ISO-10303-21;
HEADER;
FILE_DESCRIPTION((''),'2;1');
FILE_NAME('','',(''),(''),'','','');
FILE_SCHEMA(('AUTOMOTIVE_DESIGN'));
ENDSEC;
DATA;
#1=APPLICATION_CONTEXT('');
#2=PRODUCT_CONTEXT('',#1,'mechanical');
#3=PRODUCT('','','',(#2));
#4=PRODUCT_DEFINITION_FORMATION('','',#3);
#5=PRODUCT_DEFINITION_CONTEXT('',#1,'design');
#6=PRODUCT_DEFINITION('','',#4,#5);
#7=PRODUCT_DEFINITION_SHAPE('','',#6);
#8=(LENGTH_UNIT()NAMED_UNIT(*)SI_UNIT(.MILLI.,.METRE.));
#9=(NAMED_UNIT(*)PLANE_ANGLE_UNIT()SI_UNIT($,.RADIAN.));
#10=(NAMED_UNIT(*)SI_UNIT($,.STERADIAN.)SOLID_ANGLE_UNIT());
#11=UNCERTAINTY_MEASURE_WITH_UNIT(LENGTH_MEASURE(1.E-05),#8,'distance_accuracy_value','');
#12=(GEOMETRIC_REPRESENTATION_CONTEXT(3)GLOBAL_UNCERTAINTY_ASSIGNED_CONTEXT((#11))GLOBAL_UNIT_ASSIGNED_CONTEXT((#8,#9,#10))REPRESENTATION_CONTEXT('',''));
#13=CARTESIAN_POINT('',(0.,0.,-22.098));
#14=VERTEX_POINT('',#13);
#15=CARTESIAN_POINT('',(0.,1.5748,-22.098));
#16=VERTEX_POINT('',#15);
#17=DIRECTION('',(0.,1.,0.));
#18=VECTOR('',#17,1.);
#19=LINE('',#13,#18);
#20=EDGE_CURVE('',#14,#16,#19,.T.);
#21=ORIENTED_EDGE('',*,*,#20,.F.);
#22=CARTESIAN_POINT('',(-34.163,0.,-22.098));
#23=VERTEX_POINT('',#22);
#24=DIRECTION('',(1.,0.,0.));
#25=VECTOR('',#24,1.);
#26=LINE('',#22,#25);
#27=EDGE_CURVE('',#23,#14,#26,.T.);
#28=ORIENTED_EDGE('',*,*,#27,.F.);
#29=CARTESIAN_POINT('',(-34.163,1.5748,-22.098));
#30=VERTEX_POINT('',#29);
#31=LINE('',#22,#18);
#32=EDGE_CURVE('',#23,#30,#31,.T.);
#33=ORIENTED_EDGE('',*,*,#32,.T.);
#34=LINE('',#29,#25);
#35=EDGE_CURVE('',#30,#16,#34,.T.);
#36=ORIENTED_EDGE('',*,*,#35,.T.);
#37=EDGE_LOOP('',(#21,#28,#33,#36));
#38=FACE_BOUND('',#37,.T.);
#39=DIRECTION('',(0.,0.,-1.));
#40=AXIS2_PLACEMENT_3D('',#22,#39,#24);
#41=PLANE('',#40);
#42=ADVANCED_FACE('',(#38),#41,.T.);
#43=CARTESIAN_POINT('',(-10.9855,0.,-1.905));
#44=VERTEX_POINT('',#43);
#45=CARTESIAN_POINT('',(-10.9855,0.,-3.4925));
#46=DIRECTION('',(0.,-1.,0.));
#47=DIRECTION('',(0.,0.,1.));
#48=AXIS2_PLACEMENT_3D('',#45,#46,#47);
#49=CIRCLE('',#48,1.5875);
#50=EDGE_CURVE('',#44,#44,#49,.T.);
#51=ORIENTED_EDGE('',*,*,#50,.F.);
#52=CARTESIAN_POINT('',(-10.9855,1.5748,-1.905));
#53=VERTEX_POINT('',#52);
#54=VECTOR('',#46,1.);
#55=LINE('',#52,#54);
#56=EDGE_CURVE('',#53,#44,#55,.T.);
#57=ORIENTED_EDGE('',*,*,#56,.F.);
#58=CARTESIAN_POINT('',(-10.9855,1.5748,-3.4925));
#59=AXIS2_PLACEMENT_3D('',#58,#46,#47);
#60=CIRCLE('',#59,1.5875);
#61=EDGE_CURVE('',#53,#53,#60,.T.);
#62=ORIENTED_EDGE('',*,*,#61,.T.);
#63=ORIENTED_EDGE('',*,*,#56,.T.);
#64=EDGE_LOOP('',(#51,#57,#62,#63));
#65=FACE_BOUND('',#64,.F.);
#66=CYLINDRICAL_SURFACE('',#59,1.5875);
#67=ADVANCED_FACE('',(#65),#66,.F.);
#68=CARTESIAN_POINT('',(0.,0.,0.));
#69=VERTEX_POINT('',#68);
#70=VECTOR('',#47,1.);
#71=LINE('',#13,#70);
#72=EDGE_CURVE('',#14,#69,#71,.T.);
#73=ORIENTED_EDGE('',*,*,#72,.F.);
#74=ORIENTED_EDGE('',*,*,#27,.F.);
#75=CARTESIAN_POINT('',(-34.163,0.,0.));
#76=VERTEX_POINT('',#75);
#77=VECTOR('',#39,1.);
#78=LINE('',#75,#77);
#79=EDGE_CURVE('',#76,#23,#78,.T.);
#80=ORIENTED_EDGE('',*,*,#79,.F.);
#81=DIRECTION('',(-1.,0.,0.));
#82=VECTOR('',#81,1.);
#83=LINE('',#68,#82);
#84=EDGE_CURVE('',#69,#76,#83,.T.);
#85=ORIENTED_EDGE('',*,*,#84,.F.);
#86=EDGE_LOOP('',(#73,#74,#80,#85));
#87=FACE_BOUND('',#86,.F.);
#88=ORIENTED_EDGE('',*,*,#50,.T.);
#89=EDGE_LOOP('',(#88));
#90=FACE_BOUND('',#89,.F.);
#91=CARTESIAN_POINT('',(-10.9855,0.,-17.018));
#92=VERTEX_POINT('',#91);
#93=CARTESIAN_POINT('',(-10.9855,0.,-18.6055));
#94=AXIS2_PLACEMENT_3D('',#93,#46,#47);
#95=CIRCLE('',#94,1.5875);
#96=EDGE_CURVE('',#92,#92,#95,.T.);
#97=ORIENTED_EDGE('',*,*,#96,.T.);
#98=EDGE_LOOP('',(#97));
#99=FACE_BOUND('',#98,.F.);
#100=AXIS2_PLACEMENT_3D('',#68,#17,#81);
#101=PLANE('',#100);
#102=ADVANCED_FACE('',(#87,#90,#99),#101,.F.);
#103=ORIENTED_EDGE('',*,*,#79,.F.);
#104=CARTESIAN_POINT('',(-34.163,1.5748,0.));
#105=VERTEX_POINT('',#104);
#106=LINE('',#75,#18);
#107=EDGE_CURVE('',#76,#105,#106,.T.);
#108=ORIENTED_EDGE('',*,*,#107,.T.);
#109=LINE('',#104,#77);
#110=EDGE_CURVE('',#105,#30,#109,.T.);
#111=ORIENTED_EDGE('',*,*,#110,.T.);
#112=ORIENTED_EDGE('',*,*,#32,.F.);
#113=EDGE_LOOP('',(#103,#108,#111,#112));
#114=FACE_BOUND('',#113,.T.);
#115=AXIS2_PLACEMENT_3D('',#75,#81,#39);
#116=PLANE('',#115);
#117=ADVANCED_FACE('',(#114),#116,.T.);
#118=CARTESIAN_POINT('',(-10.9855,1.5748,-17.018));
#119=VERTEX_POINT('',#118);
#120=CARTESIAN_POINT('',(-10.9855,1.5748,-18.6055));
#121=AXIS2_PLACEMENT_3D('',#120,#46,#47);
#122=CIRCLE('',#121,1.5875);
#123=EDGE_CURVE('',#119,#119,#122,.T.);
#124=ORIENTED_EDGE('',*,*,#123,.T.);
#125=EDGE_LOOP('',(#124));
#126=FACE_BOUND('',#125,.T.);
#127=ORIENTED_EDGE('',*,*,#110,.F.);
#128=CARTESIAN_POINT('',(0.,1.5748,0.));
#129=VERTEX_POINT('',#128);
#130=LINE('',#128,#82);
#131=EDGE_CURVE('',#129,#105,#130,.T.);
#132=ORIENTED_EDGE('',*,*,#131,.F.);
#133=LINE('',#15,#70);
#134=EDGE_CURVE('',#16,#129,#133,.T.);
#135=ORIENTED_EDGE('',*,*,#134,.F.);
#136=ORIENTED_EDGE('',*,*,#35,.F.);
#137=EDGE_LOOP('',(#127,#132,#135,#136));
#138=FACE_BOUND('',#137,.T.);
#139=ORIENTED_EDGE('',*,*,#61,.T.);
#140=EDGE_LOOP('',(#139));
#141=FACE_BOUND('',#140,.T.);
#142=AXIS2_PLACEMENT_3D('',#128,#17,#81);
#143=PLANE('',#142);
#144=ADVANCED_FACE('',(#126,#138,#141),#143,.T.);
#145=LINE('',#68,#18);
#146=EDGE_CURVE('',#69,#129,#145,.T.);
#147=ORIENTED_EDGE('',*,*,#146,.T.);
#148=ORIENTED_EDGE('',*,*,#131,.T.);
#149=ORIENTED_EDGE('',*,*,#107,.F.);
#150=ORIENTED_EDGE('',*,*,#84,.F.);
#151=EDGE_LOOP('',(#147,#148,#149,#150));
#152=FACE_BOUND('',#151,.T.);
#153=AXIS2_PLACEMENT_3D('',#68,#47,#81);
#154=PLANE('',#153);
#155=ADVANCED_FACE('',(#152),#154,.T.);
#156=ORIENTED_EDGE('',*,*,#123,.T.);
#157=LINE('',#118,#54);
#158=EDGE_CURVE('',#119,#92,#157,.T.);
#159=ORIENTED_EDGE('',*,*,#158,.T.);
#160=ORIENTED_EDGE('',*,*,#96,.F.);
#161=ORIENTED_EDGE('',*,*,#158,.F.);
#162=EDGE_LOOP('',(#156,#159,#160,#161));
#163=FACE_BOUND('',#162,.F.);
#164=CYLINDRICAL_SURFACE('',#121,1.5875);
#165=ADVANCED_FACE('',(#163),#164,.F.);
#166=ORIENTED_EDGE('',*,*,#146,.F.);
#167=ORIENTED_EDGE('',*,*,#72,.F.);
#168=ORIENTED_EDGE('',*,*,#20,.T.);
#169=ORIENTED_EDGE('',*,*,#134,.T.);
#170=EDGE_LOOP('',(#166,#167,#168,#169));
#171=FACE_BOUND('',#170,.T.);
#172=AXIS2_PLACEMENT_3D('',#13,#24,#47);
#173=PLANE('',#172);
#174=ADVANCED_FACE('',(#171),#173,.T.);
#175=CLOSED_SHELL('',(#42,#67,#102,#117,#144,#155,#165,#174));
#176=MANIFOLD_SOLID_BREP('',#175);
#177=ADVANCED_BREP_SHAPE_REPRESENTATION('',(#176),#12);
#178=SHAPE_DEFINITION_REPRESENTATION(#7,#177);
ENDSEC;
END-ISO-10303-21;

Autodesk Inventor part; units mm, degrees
ref_plane "YZ Plane" through (0, 0, 0) normal (1, 0, 0) x (0, 1, 0)
ref_plane "XZ Plane" through (0, 0, 0) normal (0, 1, 0) x (-1, 0, 0)
ref_plane "XY Plane" through (0, 0, 0) normal (0, 0, 1) x (1, 0, 0)
sketch "Sketch1" plane through (0, 0, 0) normal (0, 1, 0) x (-1, 0, 0)
  line L0 (0, 0) -> (34.163, 0)
  line L1 (34.163, 0) -> (34.163, -22.098)
  line L2 (34.163, -22.098) -> (0, -22.098)
  line L3 (0, -22.098) -> (0, 0)
  dimension "d0" = 34.163
  dimension "d1" = 22.098
extrude "Extrusion1" add sketch "Sketch1" along normal blind 1.5748
hole "Hole2" at (-10.9855, 1.5748, -3.4925) direction (0, -1, 0) diameter 3.175 depth 25.4 tip angle 118
hole "Hole3" at (-10.9855, 1.5748, -18.6055) direction (0, -1, 0) diameter 3.175 depth 25.4 tip angle 118
properties part number "temp_probe_board"
